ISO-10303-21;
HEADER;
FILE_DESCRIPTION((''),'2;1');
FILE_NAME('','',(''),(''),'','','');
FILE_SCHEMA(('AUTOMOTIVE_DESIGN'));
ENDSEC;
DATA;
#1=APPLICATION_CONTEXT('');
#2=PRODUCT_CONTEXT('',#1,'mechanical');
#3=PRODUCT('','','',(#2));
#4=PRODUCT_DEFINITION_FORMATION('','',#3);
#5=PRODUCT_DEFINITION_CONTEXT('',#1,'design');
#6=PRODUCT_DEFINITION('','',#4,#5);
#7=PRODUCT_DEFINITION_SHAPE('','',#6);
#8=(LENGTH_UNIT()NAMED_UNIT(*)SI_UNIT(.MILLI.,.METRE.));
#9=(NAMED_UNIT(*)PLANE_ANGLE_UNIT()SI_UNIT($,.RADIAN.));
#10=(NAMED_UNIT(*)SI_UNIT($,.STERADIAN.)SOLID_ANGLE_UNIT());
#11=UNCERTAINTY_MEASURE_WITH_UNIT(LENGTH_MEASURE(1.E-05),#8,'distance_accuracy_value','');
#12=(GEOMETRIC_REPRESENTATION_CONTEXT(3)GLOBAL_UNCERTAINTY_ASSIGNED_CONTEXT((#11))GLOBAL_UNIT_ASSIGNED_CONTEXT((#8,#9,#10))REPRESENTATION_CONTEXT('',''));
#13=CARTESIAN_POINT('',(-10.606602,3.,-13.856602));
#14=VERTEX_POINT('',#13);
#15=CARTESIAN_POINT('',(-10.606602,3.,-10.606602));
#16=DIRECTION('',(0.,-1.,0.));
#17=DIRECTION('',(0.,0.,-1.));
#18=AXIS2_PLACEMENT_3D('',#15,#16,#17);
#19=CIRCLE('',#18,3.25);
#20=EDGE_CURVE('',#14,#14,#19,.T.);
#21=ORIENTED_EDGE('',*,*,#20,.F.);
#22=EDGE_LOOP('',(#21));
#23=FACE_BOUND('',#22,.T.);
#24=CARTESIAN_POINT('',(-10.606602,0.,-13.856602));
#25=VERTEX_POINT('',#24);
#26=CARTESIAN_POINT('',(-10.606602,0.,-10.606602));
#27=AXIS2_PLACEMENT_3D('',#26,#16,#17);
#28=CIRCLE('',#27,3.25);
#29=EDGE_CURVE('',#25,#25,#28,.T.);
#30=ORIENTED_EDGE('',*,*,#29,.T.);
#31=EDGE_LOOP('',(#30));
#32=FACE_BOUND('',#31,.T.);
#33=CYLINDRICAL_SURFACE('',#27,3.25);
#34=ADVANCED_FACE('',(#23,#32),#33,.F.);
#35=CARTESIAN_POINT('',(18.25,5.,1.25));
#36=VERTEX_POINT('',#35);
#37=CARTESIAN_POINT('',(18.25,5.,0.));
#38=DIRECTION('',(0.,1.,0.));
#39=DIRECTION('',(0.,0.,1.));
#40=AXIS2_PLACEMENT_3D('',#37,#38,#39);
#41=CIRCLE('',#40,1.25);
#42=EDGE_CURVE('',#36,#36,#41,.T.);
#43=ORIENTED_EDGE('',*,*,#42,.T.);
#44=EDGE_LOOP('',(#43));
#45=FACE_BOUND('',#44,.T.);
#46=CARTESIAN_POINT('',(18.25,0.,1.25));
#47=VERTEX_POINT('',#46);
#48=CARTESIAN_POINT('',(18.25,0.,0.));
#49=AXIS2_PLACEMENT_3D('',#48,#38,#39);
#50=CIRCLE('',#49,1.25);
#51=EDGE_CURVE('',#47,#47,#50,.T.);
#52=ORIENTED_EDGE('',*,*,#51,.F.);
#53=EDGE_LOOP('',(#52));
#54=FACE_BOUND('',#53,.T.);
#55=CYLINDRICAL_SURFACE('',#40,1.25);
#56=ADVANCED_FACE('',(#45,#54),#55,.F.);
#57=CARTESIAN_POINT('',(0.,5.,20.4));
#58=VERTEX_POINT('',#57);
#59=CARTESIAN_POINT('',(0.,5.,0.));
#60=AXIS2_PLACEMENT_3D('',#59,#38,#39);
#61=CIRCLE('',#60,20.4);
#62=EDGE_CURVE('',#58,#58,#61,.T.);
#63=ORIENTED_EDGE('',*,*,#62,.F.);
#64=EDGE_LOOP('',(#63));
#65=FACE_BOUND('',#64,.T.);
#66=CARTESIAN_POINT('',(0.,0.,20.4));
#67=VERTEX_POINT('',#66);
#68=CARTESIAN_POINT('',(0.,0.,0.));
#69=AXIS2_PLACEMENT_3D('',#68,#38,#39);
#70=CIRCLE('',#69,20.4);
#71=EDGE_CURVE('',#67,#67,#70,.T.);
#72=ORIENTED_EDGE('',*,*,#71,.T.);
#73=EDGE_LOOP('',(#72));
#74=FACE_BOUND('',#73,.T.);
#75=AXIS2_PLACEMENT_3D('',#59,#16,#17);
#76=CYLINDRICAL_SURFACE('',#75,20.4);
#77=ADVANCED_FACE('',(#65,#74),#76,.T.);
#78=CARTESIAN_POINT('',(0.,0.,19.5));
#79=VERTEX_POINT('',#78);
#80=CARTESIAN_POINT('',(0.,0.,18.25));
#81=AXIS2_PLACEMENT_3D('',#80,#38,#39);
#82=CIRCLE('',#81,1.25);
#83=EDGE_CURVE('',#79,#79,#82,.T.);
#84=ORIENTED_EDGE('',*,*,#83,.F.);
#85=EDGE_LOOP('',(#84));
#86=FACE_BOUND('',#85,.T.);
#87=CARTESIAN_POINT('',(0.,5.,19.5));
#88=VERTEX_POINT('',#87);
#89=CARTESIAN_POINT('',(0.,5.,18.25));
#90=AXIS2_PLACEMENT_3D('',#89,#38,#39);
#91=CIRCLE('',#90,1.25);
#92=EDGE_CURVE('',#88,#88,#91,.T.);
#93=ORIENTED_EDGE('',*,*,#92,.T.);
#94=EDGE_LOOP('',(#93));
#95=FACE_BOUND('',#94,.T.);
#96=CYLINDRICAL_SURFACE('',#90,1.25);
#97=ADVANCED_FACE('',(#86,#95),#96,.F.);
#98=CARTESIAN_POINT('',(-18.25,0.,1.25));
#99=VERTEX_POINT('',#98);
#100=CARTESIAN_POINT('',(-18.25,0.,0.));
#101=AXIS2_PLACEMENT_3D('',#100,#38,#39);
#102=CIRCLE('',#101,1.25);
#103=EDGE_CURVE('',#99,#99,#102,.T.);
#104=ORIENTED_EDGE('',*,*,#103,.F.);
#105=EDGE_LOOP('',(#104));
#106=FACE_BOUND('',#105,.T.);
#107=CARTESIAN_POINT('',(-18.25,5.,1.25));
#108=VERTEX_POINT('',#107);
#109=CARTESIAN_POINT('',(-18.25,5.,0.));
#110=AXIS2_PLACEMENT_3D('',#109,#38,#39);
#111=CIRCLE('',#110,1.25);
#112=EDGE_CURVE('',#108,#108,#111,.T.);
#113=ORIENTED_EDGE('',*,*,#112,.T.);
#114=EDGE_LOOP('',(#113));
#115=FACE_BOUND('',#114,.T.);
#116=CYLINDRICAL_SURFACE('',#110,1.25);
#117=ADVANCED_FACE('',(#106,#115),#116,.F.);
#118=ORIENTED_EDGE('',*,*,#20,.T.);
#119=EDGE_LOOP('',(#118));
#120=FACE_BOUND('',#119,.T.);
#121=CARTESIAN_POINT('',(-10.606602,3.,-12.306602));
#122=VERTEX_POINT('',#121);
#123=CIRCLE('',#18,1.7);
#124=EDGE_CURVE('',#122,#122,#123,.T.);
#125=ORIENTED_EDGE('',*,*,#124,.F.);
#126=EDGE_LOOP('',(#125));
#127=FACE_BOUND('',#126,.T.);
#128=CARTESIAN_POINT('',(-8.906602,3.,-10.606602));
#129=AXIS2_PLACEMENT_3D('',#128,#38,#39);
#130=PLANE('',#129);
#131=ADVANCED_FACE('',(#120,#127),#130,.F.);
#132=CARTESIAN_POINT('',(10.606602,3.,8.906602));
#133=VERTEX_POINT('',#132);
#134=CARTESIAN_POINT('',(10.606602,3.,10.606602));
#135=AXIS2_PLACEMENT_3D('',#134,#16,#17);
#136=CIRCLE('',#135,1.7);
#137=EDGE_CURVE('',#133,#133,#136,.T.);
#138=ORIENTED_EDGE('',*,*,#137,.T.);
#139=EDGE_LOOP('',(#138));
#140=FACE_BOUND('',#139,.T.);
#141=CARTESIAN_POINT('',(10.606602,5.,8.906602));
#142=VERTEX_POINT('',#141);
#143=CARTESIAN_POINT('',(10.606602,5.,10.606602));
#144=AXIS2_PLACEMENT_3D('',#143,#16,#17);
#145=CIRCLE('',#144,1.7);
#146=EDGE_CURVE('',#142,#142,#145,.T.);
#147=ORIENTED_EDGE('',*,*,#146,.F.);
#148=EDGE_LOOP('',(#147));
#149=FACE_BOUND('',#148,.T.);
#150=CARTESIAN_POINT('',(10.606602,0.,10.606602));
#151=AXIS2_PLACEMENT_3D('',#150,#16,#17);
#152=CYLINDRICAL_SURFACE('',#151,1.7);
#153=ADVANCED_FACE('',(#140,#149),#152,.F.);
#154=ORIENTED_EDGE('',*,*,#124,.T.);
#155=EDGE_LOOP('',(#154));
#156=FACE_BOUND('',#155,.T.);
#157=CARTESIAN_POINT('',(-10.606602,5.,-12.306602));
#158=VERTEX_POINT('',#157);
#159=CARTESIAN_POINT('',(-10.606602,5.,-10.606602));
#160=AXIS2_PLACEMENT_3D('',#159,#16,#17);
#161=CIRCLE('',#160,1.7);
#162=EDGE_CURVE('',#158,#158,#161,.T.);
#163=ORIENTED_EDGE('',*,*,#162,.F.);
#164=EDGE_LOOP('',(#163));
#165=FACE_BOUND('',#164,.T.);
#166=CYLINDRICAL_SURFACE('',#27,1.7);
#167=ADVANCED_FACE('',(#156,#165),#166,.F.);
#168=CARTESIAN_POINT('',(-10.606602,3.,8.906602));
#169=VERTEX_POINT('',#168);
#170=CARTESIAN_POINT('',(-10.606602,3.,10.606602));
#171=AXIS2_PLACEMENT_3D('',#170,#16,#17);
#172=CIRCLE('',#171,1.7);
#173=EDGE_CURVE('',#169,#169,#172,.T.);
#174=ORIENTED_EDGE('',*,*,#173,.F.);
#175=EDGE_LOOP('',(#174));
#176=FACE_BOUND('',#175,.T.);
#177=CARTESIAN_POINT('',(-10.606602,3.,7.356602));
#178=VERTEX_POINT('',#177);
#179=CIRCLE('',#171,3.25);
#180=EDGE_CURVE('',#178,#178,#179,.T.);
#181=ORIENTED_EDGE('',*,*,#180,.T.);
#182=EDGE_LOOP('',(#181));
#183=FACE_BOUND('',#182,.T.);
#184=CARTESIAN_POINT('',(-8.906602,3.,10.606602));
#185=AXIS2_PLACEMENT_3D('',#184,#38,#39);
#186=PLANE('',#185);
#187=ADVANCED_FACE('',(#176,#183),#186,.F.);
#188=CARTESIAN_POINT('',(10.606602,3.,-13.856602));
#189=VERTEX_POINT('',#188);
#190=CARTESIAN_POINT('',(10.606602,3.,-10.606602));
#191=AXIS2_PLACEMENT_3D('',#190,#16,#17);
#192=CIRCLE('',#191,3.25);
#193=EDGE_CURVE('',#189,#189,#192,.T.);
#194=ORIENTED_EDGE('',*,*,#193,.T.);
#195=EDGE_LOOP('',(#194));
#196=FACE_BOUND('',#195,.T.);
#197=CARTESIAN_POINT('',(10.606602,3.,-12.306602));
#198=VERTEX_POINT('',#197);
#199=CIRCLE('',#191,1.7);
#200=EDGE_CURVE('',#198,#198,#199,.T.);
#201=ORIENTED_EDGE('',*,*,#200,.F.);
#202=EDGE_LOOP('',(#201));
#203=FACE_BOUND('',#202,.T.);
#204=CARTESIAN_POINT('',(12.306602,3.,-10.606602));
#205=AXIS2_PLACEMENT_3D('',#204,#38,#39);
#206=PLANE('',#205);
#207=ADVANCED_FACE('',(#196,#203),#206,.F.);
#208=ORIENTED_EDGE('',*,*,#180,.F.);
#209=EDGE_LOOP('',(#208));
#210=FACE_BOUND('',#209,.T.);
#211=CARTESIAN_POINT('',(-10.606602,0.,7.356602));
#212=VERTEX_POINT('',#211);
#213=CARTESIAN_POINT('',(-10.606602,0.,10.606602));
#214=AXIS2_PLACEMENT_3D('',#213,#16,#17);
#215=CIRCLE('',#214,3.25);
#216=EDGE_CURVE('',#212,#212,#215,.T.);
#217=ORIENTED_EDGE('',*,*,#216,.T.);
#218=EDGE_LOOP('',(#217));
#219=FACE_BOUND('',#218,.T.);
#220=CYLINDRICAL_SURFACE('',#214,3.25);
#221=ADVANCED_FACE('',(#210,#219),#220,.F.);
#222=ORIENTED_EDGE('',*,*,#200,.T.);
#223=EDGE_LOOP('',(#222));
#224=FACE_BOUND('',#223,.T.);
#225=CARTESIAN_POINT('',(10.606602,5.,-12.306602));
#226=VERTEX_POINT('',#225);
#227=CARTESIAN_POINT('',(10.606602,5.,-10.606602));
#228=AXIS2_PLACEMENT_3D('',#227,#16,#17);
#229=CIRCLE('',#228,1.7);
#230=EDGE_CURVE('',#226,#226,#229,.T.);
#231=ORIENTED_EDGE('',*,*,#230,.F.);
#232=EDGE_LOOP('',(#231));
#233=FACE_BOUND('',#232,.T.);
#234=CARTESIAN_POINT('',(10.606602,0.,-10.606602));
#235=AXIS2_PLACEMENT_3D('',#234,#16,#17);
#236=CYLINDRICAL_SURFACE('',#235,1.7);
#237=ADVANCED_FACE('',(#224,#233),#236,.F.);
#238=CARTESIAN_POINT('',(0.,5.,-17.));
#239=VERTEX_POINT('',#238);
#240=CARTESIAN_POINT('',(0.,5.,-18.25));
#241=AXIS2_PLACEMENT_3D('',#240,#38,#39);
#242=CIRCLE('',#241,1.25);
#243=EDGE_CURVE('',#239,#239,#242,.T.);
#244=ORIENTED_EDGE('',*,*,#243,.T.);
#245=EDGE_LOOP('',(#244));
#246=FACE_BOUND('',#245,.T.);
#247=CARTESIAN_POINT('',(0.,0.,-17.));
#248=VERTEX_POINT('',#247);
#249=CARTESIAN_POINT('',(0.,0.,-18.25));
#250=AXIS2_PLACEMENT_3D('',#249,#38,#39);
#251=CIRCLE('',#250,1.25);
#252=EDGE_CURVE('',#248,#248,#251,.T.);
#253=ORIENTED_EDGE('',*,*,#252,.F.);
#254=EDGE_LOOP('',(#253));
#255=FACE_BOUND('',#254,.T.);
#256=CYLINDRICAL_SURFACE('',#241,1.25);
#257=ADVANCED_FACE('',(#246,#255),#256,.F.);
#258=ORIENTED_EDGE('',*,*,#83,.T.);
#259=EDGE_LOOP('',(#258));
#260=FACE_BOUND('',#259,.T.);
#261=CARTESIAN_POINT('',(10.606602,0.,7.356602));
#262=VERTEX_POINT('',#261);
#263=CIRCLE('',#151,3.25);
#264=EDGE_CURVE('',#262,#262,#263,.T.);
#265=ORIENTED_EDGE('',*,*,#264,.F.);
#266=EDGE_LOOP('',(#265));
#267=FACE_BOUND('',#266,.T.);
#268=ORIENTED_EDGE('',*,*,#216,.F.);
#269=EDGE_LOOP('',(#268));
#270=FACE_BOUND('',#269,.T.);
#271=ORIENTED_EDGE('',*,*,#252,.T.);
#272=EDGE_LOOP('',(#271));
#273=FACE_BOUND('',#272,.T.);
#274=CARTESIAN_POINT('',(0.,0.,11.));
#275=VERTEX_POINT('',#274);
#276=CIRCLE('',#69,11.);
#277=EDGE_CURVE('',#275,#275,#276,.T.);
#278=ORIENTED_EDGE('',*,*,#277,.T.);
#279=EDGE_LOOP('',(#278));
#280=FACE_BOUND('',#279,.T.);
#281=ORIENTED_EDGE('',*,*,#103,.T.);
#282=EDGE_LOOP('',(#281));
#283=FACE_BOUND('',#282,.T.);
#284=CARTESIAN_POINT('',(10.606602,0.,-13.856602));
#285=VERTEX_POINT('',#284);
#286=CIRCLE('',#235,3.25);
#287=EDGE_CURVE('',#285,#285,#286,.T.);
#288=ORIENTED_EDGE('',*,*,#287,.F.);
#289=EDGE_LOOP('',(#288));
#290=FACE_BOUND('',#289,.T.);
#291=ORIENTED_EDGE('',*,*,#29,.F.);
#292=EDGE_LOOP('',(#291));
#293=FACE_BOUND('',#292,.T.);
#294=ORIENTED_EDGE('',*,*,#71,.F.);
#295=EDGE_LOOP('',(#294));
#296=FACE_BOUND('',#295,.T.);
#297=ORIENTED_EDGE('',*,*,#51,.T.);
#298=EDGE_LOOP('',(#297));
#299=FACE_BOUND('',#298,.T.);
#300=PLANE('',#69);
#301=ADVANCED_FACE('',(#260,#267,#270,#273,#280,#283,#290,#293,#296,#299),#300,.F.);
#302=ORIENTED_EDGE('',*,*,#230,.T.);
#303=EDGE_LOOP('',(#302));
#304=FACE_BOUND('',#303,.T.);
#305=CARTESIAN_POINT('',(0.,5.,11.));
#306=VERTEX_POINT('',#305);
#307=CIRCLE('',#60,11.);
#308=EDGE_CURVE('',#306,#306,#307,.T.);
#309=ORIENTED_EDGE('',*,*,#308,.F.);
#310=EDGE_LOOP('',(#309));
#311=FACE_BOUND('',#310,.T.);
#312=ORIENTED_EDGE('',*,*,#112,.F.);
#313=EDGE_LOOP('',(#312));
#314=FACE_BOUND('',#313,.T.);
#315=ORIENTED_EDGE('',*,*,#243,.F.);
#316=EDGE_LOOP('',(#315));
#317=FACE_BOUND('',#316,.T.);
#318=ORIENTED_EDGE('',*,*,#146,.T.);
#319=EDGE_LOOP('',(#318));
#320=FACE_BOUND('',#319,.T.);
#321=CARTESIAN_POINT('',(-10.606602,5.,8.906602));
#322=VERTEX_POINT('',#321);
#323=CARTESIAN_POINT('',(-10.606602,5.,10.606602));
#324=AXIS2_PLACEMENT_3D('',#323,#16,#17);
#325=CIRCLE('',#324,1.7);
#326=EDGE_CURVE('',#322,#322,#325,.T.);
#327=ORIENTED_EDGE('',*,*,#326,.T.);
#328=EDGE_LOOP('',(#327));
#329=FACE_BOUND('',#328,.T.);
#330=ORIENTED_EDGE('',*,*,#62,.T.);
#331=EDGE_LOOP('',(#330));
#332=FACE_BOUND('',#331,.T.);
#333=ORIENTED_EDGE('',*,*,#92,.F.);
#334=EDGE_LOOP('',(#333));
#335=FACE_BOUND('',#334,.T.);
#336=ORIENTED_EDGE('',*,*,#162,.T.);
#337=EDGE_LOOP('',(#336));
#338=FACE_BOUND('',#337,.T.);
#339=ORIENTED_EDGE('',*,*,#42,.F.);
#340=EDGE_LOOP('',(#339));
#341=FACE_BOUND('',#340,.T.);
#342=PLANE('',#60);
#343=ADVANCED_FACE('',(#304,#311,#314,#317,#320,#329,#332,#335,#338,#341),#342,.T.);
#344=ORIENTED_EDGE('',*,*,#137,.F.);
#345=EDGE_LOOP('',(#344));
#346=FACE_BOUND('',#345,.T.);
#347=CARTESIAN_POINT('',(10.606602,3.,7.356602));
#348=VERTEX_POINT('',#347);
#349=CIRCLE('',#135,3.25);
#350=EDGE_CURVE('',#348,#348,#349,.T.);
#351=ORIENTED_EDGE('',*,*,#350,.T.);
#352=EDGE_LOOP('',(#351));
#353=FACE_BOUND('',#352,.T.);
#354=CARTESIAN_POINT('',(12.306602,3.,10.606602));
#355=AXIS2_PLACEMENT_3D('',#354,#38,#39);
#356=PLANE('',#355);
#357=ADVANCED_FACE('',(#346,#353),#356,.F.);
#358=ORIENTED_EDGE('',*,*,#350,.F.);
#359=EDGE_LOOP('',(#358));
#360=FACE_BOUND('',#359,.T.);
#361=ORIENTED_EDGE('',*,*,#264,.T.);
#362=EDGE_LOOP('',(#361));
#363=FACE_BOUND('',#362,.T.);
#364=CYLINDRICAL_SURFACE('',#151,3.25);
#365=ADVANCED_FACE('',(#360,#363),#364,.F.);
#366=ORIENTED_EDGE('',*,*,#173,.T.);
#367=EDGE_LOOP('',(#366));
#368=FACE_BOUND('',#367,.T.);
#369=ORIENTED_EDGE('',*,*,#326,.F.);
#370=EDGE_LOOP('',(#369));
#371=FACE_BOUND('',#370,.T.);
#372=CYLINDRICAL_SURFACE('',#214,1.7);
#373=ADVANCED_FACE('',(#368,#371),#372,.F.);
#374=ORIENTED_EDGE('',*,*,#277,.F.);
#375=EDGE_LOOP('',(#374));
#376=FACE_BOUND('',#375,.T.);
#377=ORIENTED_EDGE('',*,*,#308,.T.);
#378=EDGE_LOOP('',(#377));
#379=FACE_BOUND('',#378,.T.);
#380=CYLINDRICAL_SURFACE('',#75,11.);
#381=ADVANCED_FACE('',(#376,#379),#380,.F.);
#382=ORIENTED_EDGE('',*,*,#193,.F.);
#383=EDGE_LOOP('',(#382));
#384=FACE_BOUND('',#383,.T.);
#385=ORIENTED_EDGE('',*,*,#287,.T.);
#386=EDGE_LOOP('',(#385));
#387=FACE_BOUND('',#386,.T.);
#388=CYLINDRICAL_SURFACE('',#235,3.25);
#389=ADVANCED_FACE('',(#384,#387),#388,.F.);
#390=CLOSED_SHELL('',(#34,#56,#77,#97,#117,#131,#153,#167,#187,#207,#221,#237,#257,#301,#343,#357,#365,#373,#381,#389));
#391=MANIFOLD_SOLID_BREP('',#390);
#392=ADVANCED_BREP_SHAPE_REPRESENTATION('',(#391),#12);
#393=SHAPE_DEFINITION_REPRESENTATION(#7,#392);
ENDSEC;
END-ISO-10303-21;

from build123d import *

# Parameters (mm, degrees)
SKETCH_1_R                  = 20.4
SKETCH_1_R_2                = 11
EXTRUDE_1_DEPTH             = 5
M3X0_51_D                   = 2.5
HOLE_WIZARD_M31_D           = 3.4
HOLE_WIZARD_M31_CBORE_D     = 6.5
HOLE_WIZARD_M31_CBORE_DEPTH = 3


with BuildPart() as part:
    # Эскиз1 → Бобышка-Вытянуть1 (new body)
    with BuildSketch(Plane(origin=(0, 0, 0), x_dir=(1, 0, 0), z_dir=(0, 1, 0))):
        Circle(SKETCH_1_R)
        Circle(SKETCH_1_R_2, mode=Mode.SUBTRACT)
    extrude(amount=EXTRUDE_1_DEPTH)

    # Отверстие обработанное метчиком M3x0.51 (through all)
    with Locations(Plane(origin=(0, 5, 0), x_dir=(1, 0, 0), z_dir=(0, 1, 0))):
        with Locations((-18.25, 0), (0, 18.25), (18.25, 0), (0, -18.25)):
            Hole(M3X0_51_D / 2)

    # Цековка для винта с внутренним шестигранником M31 (through all)
    with Locations(Plane(origin=(0, 0, 0), x_dir=(-1, 0, 0), z_dir=(0, -1, 0))):
        with Locations((10.606601718, -10.606601718), (-10.606601718, -10.606601718), (-10.606601718, 10.606601718), (10.606601718, 10.606601718)):
            CounterBoreHole(HOLE_WIZARD_M31_D / 2, HOLE_WIZARD_M31_CBORE_D / 2, HOLE_WIZARD_M31_CBORE_DEPTH)


solid = part.part
